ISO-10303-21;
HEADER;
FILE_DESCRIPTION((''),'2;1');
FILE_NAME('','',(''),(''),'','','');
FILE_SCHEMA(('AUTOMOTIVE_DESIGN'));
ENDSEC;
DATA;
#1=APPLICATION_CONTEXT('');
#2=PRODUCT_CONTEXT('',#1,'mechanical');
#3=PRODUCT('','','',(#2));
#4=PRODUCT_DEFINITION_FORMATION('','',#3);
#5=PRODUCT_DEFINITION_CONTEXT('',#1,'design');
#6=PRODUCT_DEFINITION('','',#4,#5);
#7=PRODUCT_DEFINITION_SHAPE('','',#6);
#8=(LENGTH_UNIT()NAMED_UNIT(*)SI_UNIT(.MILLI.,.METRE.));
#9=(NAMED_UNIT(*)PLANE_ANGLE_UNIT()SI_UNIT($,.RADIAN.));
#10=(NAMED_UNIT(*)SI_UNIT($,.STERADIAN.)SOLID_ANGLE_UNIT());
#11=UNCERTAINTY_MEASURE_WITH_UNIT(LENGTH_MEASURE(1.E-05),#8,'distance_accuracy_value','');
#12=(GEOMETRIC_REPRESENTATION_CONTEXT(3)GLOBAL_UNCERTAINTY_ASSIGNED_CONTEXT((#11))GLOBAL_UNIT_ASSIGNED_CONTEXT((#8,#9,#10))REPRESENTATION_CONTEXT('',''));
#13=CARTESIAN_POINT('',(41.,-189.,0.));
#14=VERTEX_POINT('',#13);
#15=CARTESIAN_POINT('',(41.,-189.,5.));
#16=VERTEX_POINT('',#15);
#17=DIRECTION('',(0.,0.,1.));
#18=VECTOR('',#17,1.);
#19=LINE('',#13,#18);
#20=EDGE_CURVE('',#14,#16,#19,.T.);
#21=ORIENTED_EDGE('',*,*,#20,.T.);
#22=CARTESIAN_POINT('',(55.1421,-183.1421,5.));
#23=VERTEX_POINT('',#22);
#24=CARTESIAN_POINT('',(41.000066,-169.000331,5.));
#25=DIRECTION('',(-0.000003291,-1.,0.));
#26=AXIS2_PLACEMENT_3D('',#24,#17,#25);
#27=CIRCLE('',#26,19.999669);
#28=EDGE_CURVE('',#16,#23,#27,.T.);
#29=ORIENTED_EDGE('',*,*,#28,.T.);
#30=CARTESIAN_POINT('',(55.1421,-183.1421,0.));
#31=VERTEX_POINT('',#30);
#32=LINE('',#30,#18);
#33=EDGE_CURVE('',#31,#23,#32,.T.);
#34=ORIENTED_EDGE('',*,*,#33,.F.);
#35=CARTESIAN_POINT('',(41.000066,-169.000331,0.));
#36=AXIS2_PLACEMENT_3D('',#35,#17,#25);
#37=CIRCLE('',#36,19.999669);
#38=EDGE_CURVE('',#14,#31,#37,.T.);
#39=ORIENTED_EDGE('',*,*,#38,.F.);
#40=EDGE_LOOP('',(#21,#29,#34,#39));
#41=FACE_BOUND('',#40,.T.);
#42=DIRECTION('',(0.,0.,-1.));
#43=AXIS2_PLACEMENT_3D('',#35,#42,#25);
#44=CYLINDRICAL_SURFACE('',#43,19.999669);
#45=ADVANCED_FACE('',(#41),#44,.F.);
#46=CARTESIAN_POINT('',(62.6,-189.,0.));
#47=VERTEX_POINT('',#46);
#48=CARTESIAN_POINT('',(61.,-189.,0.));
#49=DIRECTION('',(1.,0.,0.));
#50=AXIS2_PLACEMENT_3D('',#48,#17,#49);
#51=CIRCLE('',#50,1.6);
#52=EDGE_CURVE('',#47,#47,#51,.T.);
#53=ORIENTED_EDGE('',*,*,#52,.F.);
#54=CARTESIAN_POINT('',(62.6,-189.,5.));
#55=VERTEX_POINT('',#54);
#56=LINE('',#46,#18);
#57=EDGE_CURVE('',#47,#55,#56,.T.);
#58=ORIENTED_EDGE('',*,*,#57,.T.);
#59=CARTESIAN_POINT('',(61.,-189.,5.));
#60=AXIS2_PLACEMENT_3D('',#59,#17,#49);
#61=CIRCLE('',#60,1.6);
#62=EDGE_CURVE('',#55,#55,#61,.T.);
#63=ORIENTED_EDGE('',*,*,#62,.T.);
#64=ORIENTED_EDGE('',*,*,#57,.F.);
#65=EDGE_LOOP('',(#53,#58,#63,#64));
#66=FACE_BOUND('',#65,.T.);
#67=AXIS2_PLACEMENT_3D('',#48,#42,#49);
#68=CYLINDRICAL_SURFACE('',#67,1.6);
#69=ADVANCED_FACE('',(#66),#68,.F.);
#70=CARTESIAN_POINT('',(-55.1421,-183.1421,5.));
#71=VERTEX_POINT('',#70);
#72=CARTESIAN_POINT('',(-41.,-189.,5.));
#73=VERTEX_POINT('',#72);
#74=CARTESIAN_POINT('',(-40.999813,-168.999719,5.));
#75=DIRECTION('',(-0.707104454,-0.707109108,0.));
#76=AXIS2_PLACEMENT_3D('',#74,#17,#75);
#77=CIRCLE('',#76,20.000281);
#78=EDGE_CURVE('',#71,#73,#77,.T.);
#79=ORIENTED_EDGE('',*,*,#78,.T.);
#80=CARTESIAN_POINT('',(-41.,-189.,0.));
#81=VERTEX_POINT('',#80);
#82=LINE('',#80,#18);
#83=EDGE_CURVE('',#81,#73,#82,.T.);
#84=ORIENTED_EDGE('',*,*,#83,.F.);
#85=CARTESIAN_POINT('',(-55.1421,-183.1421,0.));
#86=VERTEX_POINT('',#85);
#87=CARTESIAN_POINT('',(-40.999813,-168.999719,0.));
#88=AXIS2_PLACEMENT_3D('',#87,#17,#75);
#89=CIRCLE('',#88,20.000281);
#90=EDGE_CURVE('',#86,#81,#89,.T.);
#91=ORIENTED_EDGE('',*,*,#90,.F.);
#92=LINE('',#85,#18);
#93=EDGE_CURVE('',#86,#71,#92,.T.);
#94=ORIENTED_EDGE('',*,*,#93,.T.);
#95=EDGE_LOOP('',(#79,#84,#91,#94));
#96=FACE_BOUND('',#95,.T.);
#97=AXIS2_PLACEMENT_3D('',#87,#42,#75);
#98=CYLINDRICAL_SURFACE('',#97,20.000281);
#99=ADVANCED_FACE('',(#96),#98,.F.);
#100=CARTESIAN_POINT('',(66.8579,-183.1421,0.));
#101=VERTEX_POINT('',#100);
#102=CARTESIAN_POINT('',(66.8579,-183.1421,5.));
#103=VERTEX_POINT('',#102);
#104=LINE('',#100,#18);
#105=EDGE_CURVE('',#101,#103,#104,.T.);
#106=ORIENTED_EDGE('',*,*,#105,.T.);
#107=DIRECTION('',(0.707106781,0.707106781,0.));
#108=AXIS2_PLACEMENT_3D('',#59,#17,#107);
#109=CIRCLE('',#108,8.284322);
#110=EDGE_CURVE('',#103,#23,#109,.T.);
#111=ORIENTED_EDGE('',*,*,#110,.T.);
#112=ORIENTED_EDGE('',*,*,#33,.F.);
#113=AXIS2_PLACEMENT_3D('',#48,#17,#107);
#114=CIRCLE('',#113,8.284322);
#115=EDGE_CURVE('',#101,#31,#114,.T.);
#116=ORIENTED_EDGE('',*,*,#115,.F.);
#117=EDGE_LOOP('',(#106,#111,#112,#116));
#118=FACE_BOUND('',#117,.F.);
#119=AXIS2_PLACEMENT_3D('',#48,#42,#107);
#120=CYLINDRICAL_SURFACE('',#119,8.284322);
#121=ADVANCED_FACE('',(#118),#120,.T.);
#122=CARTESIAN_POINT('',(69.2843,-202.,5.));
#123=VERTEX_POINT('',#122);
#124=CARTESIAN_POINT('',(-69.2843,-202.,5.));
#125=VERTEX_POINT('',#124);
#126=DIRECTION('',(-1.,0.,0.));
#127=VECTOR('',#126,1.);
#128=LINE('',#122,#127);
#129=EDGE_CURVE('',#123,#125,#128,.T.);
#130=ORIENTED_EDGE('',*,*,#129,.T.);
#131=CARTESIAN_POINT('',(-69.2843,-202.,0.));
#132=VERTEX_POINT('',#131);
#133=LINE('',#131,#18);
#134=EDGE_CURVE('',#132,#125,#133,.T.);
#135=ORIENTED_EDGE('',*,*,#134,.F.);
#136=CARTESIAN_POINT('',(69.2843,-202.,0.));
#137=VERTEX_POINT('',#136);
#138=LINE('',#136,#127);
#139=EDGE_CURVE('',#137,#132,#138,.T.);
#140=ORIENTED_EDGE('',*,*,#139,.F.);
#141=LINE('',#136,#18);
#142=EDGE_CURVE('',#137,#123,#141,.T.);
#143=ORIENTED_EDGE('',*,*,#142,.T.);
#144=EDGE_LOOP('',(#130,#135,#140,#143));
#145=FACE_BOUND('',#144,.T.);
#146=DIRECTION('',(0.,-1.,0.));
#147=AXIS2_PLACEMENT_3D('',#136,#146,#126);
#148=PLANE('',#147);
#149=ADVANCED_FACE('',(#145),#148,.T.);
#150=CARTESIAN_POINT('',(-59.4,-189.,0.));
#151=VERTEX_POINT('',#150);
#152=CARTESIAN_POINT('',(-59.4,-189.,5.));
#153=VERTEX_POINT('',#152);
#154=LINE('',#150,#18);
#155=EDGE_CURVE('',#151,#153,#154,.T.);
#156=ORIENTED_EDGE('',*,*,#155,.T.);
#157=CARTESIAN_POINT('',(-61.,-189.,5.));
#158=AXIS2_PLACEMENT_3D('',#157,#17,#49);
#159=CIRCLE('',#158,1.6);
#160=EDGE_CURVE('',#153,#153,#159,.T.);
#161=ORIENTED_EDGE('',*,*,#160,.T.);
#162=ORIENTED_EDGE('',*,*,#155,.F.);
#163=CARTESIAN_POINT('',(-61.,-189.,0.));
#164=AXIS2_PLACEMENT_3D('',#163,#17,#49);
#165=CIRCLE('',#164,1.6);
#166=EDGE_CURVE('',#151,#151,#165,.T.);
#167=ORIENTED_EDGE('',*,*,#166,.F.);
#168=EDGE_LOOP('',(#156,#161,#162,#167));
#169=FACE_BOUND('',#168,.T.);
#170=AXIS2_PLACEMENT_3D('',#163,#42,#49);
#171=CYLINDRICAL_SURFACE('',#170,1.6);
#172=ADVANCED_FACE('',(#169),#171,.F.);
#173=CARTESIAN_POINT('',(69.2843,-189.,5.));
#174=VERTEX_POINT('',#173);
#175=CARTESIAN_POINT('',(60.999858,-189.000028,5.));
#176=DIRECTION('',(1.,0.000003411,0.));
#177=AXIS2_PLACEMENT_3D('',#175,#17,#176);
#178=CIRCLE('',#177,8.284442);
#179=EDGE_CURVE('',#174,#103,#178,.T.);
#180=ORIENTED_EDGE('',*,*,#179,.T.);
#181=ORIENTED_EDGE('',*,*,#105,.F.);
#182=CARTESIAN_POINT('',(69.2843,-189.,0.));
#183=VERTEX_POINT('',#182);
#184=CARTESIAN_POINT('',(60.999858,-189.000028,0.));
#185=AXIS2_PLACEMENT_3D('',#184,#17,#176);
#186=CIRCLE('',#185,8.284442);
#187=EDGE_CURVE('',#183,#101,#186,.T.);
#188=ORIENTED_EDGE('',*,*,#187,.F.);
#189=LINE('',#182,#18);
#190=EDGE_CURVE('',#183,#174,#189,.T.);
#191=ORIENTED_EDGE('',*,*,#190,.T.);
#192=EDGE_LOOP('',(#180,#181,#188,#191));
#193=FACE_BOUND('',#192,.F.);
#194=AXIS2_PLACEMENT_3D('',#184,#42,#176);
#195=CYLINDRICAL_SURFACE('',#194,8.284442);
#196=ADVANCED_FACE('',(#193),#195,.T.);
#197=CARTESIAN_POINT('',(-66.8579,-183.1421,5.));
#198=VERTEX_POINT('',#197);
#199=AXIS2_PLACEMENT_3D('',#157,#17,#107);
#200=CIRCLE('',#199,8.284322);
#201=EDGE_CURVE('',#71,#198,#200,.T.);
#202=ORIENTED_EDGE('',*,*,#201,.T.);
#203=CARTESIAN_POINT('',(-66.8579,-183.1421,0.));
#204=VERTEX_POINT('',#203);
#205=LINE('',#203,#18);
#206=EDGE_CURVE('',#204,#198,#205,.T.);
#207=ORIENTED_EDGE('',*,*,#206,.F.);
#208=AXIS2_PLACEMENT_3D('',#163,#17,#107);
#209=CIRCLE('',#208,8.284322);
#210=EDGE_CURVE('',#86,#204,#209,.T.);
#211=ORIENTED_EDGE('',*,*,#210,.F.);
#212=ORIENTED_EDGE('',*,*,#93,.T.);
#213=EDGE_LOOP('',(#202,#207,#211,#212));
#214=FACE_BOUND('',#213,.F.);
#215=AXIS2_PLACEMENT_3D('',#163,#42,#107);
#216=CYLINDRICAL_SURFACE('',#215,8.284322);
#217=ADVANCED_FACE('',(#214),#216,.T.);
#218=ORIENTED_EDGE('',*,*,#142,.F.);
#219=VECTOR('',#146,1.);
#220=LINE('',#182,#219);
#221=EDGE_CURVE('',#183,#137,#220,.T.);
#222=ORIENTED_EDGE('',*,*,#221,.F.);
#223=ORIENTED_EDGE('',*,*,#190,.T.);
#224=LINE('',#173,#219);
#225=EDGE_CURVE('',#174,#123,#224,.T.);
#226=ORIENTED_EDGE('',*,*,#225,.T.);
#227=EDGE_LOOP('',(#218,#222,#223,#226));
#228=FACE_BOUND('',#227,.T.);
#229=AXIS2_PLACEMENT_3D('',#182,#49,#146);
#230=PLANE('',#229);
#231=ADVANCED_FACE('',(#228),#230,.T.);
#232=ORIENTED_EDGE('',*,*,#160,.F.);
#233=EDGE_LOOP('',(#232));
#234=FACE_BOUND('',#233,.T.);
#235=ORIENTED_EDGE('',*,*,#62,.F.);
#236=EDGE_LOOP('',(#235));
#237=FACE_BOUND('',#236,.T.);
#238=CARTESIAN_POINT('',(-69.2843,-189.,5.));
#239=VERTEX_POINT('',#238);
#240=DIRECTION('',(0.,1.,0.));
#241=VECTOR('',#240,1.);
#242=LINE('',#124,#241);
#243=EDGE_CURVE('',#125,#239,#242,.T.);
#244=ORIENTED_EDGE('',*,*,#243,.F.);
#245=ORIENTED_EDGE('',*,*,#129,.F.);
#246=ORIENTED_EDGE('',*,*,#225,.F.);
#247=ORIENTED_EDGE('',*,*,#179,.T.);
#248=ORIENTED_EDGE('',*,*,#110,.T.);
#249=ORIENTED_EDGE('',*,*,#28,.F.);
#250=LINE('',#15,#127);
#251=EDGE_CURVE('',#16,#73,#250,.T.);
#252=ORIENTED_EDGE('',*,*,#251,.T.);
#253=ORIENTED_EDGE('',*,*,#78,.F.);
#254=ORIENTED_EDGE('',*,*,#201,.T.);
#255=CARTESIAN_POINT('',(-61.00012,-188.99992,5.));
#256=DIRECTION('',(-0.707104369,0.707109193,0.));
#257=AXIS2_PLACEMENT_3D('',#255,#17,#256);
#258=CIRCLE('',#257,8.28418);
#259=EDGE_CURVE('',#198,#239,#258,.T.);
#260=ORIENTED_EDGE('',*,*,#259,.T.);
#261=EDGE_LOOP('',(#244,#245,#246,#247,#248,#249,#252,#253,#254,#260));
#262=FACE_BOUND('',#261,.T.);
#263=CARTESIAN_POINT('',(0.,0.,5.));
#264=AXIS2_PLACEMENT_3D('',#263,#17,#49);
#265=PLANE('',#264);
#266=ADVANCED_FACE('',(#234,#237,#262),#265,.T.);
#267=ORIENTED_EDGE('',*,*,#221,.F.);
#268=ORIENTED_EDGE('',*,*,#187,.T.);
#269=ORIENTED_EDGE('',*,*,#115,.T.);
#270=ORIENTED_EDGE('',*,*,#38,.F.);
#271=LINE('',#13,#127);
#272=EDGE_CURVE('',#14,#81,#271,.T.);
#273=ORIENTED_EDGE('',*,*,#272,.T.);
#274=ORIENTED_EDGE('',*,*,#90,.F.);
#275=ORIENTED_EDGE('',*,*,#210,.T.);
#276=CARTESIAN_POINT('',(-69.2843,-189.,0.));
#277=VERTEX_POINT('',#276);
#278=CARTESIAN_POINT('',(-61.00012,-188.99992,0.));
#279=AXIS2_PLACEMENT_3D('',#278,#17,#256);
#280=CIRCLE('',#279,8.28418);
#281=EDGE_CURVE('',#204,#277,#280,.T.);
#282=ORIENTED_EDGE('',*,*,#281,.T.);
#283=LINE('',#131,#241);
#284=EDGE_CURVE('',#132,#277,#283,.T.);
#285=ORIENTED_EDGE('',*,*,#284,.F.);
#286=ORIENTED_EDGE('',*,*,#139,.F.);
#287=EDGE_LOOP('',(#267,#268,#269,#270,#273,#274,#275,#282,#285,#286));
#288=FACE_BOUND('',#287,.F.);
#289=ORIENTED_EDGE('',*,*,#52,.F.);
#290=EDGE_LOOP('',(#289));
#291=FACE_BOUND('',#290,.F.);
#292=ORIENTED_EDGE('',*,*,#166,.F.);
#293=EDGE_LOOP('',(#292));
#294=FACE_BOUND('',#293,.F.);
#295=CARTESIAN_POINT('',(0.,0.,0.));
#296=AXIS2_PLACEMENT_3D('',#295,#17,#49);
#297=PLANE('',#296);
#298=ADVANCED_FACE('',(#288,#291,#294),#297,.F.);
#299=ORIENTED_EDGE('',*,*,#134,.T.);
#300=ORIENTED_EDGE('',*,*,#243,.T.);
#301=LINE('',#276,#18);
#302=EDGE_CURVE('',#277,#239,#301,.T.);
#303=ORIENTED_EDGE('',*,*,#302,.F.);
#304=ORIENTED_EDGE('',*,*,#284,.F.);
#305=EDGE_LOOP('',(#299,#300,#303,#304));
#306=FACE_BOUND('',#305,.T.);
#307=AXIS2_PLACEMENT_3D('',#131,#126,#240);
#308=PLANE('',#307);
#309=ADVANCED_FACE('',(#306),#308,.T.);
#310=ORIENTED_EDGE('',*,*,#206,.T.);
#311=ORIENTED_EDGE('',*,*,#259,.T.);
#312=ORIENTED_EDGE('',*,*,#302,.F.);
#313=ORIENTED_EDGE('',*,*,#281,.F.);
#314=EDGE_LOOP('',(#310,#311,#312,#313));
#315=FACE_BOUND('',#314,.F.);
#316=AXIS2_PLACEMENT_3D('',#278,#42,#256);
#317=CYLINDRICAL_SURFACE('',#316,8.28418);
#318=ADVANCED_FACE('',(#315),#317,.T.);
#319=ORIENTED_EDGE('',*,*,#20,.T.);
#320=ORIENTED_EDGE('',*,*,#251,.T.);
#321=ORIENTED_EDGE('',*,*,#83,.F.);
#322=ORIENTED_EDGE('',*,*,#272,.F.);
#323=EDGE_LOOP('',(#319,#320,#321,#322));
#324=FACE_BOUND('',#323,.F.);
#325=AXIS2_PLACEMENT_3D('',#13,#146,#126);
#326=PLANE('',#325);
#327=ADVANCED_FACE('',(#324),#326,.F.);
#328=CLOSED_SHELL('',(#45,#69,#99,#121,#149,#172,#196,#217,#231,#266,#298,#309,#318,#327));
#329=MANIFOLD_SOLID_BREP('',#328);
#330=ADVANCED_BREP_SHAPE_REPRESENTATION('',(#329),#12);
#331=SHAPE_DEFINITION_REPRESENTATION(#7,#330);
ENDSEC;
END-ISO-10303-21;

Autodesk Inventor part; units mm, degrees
ref_plane "YZ Plane" through (0, 0, 0) normal (1, 0, 0) x (0, 1, 0)
ref_plane "XZ Plane" through (0, 0, 0) normal (0, 1, 0) x (-1, 0, 0)
ref_plane "XY Plane" through (0, 0, 0) normal (0, 0, 1) x (1, 0, 0)
sketch "スケッチ2" plane through (0, 0, 0) normal (0, 0, 1) x (1, 0, 0)
  circle A0 centre (-61, -189) radius 2.1 construction
  circle A1 centre (61, -189) radius 2.1 construction
  arc A2 (66.8579, -183.1421) -> (55.1421, -183.1421) centre (61, -189) ccw
  arc A3 (41, -189) -> (55.1421, -183.1421) centre (41, -169) ccw
  line L0 (41, -189) -> (-41, -189)
  arc A4 (-55.1421, -183.1421) -> (-41, -189) centre (-41, -169) ccw
  arc A5 (-55.1421, -183.1421) -> (-66.8579, -183.1421) centre (-61, -189) ccw
  arc A6 (69.2843, -189) -> (66.8579, -183.1421) centre (61, -189) ccw
  arc A7 (-66.8579, -183.1421) -> (-69.2843, -189) centre (-61, -189) ccw
  line L1 (69.2843, -189) -> (69.2843, -202)
  line L2 (69.2843, -202) -> (-69.2843, -202)
  line L3 (-69.2843, -202) -> (-69.2843, -189)
  circle A8 centre (61, -189) radius 1.6
  circle A9 centre (-61, -189) radius 1.6
  point P0 (0, 0)
  point P1 (234, -202)
extrude "押し出し1" add sketch "スケッチ2" along normal blind 5
properties part number "radiator_adapter_02"
